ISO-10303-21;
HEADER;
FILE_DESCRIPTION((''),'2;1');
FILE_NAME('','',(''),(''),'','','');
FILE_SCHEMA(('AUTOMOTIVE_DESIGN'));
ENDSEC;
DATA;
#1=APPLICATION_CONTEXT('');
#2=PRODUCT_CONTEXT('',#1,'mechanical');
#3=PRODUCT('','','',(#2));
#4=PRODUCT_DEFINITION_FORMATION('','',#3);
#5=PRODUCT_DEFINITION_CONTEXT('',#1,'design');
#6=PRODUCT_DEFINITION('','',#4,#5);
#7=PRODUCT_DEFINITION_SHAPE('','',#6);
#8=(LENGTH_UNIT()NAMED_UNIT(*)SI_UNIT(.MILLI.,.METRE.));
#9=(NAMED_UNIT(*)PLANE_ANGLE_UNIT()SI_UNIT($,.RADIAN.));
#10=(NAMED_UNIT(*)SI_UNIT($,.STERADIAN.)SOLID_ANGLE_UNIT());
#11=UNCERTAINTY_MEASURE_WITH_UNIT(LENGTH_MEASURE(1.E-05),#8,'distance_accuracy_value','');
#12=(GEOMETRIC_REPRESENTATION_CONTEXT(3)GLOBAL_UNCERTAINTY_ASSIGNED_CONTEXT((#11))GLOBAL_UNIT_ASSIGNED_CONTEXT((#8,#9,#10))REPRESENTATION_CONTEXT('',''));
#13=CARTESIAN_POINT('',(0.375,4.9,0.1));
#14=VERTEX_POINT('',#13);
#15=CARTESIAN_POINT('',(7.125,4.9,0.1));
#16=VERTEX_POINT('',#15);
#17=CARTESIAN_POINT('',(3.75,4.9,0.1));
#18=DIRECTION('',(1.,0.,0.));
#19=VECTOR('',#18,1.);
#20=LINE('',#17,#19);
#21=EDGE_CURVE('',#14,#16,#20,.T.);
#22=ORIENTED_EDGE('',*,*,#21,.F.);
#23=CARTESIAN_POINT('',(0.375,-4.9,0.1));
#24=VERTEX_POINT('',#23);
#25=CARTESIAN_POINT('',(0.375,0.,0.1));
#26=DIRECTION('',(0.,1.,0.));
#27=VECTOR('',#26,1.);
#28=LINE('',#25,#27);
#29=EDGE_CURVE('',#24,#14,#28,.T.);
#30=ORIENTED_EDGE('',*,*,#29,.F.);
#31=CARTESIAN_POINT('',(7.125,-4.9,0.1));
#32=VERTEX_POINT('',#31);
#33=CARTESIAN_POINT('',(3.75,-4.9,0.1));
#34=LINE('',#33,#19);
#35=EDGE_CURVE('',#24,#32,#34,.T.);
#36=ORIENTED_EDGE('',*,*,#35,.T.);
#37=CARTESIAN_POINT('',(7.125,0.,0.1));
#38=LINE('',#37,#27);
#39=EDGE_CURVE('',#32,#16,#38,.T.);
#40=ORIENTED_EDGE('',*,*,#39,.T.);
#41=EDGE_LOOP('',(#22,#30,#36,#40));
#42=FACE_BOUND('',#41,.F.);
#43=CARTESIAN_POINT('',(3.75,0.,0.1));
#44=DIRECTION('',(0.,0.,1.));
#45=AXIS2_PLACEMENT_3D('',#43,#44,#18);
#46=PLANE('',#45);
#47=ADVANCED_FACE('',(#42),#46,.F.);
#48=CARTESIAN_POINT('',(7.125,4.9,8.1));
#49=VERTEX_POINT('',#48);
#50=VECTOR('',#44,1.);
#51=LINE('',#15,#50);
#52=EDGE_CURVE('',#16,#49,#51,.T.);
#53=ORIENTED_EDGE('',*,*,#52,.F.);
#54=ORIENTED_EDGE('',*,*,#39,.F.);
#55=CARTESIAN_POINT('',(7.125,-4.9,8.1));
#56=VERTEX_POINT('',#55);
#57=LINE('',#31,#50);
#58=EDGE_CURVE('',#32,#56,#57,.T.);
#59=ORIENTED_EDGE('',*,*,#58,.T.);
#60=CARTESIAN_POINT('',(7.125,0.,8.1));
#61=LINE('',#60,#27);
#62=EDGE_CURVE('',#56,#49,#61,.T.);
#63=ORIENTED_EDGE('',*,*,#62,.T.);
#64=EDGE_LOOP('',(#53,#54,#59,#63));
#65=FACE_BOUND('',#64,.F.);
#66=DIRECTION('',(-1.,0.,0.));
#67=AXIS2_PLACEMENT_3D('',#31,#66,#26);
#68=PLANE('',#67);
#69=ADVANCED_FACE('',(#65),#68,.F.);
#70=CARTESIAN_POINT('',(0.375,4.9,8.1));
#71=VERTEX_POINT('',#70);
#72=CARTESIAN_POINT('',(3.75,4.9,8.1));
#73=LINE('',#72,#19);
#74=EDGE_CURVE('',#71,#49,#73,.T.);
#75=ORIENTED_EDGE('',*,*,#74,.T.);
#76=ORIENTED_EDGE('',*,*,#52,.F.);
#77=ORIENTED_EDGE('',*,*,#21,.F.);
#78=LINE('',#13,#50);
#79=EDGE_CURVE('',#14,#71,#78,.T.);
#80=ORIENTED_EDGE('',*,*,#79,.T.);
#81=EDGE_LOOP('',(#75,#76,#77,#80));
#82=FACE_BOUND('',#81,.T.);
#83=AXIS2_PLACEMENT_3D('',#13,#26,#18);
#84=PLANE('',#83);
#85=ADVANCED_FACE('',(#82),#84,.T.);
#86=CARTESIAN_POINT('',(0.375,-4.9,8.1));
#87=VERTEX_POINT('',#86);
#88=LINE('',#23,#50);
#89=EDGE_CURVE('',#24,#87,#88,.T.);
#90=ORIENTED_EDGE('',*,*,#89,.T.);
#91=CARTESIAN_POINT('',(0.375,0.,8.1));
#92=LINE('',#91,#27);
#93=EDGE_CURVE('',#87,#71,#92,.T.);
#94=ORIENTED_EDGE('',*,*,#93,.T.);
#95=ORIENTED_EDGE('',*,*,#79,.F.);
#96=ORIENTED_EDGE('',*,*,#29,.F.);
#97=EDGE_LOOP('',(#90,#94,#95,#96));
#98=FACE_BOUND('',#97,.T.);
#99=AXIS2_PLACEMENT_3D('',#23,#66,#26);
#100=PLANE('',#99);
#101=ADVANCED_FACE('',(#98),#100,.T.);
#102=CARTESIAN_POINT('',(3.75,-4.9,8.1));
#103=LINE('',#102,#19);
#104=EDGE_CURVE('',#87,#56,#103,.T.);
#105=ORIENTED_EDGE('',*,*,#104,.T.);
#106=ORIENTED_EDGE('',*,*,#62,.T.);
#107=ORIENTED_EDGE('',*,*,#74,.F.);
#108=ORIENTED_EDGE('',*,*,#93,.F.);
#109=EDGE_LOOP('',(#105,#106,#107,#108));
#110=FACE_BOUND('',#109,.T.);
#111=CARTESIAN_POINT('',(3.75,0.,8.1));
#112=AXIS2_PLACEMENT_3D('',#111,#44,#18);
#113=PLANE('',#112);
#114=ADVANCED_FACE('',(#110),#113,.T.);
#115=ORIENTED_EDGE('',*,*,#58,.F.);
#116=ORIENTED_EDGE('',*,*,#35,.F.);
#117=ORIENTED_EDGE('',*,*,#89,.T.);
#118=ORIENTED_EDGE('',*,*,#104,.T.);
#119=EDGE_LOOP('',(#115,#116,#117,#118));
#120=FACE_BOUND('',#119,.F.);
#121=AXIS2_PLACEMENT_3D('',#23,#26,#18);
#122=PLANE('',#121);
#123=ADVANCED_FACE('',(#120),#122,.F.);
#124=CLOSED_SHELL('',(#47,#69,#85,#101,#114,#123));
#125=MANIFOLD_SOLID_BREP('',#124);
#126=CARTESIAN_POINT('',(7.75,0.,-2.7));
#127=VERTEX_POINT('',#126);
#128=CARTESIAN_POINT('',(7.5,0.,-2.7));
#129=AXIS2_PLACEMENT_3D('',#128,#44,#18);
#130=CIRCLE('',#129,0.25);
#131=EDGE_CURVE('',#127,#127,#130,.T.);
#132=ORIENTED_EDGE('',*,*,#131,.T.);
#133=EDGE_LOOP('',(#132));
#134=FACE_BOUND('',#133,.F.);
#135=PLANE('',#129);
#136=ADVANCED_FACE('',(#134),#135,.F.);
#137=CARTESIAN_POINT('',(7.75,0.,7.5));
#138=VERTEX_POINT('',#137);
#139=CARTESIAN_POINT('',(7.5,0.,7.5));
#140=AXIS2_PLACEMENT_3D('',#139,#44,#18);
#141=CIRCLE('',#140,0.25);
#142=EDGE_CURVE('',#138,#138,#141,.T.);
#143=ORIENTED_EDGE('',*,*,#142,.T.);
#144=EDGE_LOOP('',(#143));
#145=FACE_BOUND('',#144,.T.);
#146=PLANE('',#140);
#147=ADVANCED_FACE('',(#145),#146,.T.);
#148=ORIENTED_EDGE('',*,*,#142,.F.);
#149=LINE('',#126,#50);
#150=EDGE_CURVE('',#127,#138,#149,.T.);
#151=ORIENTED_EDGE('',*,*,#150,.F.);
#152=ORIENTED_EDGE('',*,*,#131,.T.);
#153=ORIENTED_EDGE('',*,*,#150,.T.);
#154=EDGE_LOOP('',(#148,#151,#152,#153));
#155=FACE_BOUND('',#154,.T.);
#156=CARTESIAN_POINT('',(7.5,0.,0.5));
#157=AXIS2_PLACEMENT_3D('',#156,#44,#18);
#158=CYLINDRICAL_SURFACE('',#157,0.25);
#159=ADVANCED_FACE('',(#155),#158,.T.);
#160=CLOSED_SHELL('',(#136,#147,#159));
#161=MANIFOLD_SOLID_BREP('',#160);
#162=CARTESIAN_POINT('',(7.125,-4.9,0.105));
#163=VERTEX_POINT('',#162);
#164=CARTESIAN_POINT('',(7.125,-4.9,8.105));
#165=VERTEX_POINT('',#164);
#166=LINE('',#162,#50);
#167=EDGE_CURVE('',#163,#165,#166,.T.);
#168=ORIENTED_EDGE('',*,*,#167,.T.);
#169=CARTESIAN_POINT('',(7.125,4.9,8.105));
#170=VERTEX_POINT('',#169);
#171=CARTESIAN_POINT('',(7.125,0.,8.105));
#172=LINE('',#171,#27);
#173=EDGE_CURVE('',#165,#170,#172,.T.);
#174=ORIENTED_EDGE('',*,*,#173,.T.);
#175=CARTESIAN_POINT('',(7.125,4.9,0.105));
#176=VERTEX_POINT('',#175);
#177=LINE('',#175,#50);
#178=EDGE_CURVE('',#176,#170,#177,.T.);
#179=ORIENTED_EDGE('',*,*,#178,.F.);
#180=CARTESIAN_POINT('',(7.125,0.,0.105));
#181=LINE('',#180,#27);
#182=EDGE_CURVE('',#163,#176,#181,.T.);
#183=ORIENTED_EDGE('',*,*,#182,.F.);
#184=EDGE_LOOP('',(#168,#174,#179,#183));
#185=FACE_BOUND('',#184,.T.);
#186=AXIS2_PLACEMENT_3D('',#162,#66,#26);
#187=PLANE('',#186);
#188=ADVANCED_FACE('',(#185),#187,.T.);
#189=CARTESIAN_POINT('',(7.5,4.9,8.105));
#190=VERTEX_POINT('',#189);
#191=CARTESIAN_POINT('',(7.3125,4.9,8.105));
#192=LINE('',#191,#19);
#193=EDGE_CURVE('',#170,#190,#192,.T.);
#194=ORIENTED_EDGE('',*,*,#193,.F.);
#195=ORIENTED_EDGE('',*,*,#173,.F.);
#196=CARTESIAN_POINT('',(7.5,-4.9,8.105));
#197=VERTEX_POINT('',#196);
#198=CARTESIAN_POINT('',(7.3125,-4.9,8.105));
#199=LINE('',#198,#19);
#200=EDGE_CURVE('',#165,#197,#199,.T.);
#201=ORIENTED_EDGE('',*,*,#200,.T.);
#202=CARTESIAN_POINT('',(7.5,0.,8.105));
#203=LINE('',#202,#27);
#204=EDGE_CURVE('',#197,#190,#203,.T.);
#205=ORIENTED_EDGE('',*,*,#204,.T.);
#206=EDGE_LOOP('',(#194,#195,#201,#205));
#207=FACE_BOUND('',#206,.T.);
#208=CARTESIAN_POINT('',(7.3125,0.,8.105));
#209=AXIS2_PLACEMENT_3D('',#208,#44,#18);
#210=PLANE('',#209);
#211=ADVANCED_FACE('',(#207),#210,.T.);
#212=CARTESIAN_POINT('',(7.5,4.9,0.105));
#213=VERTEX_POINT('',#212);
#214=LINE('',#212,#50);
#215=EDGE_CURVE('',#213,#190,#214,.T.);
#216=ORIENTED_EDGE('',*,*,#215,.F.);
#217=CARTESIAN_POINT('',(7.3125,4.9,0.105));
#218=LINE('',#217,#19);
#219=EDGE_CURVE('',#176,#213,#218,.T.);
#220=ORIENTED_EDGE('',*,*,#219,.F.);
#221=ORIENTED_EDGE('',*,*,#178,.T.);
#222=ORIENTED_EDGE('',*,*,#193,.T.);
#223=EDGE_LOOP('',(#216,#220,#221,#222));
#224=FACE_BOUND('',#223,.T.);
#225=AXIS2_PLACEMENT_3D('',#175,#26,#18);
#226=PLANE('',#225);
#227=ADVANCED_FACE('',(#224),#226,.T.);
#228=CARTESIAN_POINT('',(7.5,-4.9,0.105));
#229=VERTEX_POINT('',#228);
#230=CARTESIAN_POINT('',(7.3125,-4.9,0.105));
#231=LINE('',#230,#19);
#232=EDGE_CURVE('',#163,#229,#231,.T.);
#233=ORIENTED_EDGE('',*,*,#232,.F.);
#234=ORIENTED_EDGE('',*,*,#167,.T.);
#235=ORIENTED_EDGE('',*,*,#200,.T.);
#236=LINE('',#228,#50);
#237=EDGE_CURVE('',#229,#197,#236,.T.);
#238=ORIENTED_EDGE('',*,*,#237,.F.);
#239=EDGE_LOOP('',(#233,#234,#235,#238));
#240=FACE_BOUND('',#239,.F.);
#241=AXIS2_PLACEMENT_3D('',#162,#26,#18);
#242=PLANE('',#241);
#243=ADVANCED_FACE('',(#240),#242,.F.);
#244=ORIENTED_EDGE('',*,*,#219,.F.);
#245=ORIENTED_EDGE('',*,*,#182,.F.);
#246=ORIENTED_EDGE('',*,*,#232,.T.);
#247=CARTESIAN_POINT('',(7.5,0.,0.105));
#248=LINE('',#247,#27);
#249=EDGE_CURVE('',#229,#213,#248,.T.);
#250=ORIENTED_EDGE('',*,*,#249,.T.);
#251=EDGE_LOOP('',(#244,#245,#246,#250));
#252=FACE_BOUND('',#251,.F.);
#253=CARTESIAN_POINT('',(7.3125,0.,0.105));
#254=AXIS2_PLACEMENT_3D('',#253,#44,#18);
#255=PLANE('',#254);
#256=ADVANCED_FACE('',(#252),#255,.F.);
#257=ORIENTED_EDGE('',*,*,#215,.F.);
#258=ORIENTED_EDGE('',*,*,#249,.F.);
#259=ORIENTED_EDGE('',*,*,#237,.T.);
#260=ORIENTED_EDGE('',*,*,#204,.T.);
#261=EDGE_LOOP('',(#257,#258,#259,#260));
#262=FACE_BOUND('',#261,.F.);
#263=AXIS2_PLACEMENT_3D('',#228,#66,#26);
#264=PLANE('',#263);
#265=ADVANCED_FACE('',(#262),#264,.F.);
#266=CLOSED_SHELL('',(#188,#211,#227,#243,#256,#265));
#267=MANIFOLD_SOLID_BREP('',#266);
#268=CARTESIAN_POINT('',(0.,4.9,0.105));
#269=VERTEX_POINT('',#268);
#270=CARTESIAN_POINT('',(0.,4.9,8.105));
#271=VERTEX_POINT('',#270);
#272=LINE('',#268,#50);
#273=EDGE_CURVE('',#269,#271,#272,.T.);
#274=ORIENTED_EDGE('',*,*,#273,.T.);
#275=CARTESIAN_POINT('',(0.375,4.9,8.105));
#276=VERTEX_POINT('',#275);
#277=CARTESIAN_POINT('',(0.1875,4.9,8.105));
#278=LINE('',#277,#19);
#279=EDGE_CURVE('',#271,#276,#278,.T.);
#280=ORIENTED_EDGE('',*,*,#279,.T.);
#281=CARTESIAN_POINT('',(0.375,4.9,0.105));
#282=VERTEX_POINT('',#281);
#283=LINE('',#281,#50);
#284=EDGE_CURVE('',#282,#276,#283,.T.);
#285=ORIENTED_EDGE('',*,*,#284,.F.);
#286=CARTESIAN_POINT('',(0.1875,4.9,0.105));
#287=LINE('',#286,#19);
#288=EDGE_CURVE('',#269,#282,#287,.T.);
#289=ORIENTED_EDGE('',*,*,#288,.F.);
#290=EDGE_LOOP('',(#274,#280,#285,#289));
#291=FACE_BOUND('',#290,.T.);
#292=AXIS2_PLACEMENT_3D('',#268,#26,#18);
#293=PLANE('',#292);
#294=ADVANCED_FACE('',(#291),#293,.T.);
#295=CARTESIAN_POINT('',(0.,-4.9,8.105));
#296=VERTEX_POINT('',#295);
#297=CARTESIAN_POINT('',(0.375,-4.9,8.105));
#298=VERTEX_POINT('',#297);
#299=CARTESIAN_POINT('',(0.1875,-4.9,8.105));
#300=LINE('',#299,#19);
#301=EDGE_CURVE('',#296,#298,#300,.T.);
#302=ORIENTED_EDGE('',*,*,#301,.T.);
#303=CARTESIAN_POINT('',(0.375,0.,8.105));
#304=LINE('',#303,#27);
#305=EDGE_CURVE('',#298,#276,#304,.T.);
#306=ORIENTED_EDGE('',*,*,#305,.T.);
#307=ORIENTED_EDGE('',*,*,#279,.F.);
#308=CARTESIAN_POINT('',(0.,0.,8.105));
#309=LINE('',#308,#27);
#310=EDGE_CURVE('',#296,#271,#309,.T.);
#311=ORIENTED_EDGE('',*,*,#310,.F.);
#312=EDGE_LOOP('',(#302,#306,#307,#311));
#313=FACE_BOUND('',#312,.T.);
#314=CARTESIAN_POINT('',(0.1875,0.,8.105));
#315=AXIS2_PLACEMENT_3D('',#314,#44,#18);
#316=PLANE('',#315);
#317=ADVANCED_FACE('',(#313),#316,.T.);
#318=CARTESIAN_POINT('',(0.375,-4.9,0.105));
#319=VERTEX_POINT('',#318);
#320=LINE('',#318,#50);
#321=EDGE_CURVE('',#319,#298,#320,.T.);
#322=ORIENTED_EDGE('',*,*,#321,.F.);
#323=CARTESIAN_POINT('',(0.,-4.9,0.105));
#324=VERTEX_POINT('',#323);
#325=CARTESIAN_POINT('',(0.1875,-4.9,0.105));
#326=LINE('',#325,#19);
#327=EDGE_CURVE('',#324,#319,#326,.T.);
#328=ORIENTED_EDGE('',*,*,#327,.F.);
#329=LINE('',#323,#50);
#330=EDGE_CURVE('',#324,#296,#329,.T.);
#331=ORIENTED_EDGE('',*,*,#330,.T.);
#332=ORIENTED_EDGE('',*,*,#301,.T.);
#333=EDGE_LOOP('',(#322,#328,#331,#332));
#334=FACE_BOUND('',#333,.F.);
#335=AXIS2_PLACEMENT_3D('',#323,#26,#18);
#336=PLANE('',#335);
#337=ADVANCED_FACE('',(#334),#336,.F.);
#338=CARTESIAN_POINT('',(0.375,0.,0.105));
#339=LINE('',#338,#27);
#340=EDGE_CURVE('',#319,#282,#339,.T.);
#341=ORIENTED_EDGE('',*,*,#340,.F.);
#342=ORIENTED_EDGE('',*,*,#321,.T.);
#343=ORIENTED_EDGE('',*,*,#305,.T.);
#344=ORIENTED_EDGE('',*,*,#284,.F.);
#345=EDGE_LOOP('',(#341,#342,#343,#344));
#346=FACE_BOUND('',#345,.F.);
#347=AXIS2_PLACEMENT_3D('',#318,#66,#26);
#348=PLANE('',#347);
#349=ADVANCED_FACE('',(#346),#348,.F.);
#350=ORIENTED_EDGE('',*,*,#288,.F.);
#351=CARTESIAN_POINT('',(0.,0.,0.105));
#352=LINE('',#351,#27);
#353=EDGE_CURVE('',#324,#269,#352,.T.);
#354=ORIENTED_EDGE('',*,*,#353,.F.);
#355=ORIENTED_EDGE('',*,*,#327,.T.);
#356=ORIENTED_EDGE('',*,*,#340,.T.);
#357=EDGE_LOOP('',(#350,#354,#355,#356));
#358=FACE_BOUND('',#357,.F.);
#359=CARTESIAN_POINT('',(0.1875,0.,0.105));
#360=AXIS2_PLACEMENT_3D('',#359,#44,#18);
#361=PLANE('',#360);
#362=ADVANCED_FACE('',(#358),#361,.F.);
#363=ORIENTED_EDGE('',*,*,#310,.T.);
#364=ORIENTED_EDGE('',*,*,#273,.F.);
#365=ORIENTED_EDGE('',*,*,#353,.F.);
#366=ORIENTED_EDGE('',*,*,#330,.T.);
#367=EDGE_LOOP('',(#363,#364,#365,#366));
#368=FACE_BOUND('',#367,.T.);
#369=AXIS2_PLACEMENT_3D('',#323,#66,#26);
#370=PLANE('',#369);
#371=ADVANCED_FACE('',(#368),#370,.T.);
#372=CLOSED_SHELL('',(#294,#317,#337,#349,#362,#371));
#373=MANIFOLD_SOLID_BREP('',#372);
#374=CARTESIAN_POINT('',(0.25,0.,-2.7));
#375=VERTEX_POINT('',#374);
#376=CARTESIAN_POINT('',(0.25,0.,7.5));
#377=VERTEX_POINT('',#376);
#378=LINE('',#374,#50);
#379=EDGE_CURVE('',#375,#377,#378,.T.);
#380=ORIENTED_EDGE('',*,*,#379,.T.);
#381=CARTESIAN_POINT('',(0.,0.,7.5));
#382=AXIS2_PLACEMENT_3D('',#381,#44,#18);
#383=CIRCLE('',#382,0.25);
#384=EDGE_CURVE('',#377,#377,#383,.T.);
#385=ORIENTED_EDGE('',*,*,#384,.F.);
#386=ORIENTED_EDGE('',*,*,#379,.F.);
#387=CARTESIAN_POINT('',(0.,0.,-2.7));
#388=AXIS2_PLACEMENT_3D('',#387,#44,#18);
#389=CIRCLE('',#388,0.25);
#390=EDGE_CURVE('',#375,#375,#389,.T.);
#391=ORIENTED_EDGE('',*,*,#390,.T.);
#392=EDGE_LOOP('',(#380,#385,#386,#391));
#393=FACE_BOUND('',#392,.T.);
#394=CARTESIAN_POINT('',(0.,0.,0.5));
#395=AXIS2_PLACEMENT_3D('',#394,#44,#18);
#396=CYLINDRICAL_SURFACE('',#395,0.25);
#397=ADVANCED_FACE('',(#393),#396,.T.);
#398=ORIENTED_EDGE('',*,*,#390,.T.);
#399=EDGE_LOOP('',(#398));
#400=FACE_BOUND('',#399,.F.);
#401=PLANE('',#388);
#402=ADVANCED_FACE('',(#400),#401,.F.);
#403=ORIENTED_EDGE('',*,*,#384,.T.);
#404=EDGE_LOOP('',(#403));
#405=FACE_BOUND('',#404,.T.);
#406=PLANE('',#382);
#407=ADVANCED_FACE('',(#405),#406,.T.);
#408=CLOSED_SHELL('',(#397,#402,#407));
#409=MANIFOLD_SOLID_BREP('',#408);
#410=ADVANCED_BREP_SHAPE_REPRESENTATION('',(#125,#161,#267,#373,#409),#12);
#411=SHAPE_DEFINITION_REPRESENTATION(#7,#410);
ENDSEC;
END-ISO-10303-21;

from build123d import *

# Parameters (mm, degrees)
SKETCH_W          = 6.75
SKETCH_H          = 9.8
PAD_DEPTH         = 8
SKETCH001_R       = 0.25
PAD001_DEPTH      = 7
PAD001_DEPTH_BACK = 3.2
SKETCH002_W       = 0.375
SKETCH002_H       = 9.8
PAD002_DEPTH      = 8


with BuildPart() as pad:
    # Sketch → Pad (new body)
    with BuildSketch(Plane.XY.offset(0.1)):
        with Locations((3.75, 0)):
            Rectangle(SKETCH_W, SKETCH_H)
    extrude(amount=PAD_DEPTH)


with BuildPart() as pad001:
    # Sketch001 → Pad001 (new body, two sides)
    with BuildSketch(Plane.XY.offset(0.5)) as pad001_sk:
        Circle(SKETCH001_R)
        with Locations((7.5, 0)):
            Circle(SKETCH001_R)
    extrude(amount=PAD001_DEPTH)
    extrude(pad001_sk.sketch, amount=-PAD001_DEPTH_BACK)


with BuildPart() as pad002:
    # Sketch002 → Pad002 (new body)
    with BuildSketch(Plane.XY.offset(0.105)):
        with Locations((0.1875, 0)):
            Rectangle(SKETCH002_W, SKETCH002_H)
        with Locations((7.3125, 0)):
            Rectangle(SKETCH002_W, SKETCH002_H)
    extrude(amount=PAD002_DEPTH)


solid = Compound([pad.part, pad001.part, pad002.part])
